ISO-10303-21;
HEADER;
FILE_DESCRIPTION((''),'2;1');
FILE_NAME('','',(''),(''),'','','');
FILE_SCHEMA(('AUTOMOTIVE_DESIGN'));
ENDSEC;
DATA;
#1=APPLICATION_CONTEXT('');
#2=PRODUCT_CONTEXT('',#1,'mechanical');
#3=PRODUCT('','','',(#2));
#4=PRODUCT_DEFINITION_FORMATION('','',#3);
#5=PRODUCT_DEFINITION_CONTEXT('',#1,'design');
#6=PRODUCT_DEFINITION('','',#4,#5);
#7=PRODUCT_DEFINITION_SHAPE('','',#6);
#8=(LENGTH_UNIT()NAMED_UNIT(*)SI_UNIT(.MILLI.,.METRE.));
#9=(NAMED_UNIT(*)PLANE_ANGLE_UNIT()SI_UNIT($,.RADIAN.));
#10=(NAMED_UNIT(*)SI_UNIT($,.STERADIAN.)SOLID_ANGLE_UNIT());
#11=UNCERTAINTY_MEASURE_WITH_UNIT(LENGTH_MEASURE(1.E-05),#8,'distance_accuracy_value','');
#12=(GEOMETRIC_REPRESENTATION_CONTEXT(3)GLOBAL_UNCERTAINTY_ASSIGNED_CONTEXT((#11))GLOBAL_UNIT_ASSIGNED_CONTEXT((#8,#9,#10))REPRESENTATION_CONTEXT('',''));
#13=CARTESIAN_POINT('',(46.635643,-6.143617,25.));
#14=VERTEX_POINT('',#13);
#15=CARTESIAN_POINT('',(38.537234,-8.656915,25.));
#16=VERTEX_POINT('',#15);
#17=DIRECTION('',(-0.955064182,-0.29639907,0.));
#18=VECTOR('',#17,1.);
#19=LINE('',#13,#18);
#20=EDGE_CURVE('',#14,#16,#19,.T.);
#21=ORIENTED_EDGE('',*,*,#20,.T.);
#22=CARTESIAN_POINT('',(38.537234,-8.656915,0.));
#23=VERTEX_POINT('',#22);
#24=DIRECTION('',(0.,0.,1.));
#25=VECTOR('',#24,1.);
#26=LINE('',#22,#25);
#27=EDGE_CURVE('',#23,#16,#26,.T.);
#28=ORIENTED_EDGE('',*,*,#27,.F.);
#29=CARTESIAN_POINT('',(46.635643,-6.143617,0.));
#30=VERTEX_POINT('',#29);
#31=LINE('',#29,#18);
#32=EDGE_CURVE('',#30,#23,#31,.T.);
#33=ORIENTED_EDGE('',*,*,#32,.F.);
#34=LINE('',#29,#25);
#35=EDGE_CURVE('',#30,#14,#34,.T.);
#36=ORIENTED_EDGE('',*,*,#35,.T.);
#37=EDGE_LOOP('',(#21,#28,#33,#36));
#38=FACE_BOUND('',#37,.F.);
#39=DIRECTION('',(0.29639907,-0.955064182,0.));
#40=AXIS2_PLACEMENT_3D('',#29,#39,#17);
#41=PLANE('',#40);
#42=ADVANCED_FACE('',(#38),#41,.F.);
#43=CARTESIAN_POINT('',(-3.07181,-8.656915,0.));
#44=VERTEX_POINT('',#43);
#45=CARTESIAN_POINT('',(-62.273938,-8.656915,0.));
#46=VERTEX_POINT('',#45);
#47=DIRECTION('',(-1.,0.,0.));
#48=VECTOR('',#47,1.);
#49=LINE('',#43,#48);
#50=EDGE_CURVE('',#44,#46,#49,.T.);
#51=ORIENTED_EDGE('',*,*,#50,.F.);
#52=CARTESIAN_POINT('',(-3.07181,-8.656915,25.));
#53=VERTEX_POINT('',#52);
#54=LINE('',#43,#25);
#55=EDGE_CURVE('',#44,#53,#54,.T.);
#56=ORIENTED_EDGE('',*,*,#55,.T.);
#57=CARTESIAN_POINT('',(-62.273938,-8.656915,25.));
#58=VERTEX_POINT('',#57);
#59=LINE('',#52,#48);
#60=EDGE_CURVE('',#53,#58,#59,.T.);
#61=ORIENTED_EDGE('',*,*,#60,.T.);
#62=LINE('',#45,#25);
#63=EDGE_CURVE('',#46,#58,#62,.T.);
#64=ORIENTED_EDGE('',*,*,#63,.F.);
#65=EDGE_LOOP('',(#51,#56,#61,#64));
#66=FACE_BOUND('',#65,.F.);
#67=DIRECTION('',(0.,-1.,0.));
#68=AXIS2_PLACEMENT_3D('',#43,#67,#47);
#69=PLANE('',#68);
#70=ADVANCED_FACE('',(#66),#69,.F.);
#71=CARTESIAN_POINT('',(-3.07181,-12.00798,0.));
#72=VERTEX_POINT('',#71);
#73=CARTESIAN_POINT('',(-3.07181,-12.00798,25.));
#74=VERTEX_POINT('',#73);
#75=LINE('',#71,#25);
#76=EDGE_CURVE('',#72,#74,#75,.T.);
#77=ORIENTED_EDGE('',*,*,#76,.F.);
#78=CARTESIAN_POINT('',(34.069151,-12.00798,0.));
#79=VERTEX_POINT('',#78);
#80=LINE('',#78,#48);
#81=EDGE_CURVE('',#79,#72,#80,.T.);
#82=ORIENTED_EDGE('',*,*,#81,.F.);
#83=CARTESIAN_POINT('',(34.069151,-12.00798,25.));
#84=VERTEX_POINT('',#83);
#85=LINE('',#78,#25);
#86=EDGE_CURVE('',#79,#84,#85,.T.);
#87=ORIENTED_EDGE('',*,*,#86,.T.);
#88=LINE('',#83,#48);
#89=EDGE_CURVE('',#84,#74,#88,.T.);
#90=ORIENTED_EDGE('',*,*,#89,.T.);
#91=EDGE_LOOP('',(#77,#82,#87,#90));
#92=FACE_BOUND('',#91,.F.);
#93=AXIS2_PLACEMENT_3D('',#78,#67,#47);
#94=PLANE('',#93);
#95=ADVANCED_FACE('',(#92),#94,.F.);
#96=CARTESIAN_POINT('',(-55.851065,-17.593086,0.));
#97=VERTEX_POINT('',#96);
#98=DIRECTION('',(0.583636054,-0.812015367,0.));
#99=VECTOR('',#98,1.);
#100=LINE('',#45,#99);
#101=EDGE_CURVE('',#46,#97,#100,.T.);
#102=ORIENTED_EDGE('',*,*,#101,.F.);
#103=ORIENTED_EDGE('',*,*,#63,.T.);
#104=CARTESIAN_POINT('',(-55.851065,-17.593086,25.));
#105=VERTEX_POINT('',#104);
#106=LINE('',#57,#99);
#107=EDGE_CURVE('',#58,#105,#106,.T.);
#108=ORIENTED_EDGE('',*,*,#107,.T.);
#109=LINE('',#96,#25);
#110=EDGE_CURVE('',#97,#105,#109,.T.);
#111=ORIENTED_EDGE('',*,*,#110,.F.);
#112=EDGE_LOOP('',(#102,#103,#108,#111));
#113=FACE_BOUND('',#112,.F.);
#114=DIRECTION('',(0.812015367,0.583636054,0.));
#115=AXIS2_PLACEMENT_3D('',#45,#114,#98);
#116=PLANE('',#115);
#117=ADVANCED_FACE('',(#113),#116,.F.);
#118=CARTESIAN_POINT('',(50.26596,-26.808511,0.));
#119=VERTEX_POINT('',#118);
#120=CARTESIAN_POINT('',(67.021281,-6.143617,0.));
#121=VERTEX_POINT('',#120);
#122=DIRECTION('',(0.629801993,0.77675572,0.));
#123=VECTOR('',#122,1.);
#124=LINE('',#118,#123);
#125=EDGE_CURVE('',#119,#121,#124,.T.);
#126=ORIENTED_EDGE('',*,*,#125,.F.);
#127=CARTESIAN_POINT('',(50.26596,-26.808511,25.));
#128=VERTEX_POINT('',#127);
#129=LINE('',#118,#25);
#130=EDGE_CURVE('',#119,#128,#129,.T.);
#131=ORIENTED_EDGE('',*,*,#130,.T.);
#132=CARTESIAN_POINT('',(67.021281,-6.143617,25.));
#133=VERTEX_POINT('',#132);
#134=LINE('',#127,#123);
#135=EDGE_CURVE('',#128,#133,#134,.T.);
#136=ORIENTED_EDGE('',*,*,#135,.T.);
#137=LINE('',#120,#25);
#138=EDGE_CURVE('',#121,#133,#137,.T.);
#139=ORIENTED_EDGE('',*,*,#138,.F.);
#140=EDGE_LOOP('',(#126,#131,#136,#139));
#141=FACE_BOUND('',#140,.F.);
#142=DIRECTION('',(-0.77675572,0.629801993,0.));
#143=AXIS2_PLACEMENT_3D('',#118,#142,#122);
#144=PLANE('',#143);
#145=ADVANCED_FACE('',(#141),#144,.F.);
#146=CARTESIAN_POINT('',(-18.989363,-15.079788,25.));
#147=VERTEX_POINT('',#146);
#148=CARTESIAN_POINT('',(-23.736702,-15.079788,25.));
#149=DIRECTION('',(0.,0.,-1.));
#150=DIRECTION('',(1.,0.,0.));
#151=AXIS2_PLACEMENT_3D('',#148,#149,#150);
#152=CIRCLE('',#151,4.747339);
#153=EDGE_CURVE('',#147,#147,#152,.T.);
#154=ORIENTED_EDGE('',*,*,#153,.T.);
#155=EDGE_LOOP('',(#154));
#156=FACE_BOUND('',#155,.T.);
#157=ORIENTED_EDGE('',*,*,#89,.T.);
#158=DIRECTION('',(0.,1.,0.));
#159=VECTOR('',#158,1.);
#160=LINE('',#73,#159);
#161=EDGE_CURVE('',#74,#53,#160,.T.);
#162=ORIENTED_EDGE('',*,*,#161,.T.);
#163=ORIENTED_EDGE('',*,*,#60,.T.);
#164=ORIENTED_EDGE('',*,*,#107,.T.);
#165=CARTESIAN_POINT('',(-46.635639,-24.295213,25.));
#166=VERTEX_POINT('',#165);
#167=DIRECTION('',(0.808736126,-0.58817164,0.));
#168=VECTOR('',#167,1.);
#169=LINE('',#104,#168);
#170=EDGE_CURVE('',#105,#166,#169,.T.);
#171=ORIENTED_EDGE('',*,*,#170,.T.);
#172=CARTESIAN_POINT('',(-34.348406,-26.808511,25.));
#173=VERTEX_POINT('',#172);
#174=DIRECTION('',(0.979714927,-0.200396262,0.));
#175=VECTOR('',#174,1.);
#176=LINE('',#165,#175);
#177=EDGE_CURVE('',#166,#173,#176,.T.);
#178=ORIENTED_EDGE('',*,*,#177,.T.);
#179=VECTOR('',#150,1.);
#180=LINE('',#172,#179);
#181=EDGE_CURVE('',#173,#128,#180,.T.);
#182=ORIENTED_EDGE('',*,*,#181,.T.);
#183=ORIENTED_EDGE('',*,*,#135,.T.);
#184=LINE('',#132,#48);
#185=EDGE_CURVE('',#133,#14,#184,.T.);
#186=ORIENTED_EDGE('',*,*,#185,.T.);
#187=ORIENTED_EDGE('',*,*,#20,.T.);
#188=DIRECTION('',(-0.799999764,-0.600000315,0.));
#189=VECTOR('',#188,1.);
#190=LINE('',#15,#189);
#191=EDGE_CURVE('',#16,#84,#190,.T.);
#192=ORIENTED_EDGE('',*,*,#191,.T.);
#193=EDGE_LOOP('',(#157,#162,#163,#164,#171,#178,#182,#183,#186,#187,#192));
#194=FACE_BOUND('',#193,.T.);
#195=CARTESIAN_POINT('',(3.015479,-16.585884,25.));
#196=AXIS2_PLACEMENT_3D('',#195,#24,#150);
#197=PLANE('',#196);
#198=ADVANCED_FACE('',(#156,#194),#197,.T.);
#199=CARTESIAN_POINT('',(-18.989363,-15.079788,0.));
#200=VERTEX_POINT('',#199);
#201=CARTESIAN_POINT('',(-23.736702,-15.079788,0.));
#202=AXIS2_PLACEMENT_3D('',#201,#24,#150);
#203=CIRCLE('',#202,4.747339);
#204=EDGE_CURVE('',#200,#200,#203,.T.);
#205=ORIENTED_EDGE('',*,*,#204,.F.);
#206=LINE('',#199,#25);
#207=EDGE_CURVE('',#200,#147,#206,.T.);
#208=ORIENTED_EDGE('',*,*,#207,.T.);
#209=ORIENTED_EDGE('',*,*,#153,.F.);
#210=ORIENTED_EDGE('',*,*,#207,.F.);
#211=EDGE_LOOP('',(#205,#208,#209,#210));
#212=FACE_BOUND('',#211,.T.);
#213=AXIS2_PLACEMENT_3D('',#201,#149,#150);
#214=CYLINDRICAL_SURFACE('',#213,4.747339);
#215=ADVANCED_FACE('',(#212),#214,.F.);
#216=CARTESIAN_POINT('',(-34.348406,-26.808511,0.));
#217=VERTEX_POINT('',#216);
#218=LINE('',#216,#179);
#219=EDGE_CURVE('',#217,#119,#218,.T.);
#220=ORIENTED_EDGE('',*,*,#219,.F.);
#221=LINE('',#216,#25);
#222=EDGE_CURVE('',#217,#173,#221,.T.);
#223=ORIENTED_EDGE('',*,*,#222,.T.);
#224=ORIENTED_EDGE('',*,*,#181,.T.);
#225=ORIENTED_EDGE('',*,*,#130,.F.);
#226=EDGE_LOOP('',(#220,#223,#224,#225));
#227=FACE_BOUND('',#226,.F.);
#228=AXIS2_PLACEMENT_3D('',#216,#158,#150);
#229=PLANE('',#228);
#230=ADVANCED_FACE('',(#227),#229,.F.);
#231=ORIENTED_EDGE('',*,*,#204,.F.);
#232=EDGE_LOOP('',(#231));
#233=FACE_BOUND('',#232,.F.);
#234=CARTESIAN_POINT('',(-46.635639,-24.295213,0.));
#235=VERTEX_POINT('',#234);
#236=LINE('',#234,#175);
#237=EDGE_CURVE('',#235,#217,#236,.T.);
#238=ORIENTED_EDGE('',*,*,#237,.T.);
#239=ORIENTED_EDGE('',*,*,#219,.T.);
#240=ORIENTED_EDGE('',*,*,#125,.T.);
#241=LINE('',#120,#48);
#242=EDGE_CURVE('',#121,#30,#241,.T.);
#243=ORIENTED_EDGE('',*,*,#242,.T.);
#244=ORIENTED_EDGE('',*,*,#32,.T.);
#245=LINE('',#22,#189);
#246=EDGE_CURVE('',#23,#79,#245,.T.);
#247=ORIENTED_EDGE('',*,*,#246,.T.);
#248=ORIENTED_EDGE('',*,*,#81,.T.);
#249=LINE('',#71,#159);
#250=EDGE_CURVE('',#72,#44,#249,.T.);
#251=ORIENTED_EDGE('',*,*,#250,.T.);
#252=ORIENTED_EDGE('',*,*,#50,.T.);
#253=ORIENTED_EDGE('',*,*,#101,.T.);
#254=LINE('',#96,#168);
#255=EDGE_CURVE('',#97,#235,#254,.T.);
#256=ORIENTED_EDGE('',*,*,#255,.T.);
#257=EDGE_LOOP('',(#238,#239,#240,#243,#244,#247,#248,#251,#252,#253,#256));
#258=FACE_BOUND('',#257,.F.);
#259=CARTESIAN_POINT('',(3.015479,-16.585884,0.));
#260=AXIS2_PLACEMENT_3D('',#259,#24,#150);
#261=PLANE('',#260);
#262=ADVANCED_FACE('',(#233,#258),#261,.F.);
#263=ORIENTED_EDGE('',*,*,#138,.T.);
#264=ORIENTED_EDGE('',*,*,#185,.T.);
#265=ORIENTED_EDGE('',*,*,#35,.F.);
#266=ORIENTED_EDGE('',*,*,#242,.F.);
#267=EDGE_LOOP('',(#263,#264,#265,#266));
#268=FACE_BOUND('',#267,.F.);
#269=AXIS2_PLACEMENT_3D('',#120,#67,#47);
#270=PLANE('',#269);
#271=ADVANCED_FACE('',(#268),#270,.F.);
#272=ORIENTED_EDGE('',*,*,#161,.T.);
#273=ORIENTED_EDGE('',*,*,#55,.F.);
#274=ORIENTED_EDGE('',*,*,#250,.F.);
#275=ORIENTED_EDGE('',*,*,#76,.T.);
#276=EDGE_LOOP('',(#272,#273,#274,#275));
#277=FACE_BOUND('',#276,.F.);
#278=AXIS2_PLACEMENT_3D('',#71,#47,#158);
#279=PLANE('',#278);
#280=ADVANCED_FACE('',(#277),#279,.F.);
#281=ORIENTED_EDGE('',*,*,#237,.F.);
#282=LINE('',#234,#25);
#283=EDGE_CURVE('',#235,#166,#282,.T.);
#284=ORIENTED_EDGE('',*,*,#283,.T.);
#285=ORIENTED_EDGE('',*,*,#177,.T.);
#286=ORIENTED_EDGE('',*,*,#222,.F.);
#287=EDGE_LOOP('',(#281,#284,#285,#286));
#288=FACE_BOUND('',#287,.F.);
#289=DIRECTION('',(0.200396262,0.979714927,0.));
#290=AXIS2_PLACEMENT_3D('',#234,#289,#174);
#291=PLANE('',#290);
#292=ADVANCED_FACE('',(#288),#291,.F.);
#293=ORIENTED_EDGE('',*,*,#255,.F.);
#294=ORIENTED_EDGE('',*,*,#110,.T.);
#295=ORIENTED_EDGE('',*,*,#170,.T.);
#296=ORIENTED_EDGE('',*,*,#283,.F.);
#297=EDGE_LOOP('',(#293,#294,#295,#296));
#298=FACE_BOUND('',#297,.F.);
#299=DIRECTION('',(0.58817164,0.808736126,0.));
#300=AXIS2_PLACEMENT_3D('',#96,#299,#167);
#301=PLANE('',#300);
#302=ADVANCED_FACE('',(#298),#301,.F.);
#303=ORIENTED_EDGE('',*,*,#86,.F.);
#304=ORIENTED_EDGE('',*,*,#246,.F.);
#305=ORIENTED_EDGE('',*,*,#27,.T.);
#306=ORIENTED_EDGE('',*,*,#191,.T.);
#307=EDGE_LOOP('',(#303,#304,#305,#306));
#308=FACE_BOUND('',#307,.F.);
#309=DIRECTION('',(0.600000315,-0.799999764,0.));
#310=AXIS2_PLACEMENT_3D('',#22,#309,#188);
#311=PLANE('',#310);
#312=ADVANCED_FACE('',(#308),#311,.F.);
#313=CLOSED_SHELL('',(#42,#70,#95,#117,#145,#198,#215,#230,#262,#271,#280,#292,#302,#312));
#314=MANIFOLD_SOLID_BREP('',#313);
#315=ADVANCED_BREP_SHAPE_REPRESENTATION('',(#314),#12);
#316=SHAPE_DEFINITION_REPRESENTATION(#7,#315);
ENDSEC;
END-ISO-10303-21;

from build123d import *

# Parameters (mm, degrees)
F1_DEPTH = 25
F2_R     = 4.747339
F3_DEPTH = 25.001


with BuildPart() as f1:
    # F0 (on Top) → F1 (new body)
    with BuildSketch(Plane.XY):
        Polygon((-34.348406, -26.808511), (-23.736702, -26.808511), (-10.332447, -26.808511), (4.468086, -26.808511), (22.898939, -26.808511), (38.537234, -26.808511), (50.26596, -26.808511), (67.021281, -6.143617), (46.635643, -6.143617), (38.537234, -8.656915), (34.069151, -12.00798), (-3.07181, -12.00798), (-3.07181, -8.656915), (-62.273938, -8.656915), (-55.851065, -17.593086), (-46.635639, -24.295213), align=None)
    extrude(amount=F1_DEPTH)

    # F2 (on Top) → F3 (cut, through all)
    with BuildSketch(Plane.XY):
        with Locations((-23.736702, -15.079788)):
            Circle(F2_R)
    extrude(amount=F3_DEPTH, mode=Mode.SUBTRACT)


solid = f1.part
